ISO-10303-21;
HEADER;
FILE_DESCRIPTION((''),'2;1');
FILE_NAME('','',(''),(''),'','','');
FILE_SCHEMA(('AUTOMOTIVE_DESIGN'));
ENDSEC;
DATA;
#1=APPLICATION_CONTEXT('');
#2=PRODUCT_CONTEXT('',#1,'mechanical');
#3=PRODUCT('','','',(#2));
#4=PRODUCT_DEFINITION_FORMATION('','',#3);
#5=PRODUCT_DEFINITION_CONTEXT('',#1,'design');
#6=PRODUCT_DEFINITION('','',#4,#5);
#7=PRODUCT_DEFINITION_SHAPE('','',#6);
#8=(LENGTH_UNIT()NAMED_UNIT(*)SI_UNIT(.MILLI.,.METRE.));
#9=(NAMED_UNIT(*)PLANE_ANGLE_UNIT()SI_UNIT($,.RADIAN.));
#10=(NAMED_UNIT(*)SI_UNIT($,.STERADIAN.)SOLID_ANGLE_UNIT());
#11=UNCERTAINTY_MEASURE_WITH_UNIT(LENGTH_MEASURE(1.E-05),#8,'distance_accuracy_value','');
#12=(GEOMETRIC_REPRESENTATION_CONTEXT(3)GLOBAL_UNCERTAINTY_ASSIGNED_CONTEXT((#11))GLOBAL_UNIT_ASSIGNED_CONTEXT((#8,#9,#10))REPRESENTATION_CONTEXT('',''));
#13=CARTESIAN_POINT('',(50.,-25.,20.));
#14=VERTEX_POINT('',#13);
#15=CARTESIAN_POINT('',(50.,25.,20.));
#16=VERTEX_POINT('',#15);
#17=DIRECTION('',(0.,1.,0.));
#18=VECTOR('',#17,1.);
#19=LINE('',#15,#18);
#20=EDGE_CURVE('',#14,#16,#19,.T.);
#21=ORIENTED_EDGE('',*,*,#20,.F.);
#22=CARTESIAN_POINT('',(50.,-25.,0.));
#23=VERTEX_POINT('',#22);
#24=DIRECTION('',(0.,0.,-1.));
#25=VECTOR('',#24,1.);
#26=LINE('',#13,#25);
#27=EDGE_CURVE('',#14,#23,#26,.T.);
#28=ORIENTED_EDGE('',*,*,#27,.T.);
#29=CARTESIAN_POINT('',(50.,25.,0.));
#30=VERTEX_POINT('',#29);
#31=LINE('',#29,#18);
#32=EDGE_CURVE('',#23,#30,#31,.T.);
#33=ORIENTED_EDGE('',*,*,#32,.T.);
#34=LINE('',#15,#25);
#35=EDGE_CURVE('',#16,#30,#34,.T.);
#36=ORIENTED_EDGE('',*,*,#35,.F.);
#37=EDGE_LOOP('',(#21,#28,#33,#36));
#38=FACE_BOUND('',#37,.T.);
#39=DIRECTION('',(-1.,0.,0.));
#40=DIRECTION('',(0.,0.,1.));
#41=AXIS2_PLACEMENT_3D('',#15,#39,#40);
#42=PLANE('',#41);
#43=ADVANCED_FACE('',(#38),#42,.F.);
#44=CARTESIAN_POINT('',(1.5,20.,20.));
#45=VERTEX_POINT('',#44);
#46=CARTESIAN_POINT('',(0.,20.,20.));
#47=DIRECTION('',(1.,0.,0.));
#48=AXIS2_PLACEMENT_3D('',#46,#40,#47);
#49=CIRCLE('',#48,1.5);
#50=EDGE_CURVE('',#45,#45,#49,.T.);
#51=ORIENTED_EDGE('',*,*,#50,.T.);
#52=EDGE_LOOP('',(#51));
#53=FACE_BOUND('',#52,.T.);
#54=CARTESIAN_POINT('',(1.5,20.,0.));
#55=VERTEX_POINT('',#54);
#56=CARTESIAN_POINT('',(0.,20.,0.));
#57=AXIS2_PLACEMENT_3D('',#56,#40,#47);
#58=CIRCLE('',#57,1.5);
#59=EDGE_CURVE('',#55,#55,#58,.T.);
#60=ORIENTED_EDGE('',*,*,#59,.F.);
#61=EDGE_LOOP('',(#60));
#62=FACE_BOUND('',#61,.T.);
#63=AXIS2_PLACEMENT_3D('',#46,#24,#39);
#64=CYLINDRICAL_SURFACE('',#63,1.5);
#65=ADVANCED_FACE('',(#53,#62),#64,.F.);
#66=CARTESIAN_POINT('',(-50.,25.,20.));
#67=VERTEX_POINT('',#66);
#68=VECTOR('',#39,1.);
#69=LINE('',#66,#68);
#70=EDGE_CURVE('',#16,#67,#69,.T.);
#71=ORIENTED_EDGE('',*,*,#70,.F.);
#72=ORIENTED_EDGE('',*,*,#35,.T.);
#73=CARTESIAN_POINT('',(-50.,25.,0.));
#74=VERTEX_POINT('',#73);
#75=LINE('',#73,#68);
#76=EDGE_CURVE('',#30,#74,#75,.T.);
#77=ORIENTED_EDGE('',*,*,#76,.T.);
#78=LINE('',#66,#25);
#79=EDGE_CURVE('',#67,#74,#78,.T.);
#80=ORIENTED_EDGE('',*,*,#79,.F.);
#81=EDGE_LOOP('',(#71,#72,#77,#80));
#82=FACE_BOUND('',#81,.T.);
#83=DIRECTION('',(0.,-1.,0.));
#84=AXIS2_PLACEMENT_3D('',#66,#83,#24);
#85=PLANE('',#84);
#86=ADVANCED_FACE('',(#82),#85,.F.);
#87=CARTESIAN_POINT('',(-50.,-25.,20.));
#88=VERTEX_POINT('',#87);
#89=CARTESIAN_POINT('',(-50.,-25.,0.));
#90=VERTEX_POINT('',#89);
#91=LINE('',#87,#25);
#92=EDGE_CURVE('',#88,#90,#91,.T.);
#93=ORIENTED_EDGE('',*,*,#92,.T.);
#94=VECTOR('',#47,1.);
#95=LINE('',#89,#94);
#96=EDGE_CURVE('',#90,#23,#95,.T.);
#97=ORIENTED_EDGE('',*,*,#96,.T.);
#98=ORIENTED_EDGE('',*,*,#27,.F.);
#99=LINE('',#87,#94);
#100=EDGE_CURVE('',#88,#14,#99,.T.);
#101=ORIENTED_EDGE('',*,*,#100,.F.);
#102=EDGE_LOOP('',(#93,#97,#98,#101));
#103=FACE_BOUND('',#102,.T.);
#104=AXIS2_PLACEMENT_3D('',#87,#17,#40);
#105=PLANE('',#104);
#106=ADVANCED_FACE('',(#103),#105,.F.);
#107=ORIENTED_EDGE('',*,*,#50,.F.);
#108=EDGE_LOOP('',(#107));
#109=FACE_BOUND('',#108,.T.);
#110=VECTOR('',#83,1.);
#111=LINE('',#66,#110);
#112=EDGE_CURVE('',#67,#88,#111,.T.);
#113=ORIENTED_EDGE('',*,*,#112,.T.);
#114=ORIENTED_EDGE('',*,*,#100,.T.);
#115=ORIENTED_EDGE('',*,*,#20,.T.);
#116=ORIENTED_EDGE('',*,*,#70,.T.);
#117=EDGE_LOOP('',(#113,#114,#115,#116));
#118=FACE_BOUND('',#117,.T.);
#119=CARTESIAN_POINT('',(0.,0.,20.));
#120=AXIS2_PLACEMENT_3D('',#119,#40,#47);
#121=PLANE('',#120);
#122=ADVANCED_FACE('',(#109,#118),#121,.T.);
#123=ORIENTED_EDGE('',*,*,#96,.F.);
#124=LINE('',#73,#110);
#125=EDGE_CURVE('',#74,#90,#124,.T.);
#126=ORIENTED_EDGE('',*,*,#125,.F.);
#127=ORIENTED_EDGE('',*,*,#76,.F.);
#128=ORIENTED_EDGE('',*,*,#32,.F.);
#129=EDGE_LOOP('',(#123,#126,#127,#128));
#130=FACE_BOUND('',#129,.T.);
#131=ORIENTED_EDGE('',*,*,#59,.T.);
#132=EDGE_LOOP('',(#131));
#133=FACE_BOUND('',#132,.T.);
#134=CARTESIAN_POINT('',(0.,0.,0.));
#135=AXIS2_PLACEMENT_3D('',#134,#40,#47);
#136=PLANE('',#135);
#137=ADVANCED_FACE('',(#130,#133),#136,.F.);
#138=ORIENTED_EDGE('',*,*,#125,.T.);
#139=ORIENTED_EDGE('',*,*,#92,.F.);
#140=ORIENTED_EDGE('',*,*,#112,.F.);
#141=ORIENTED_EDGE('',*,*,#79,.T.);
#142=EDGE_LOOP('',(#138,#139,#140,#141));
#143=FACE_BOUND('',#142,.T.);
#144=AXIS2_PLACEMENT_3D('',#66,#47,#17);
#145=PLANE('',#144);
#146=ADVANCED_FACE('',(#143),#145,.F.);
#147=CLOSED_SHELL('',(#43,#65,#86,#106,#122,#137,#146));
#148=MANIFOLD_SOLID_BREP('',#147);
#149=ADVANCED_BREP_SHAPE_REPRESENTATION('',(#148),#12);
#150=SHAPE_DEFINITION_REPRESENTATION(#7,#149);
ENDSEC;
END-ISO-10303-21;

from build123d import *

# Parameters (mm, degrees)
SKETCH1_W           = 100
SKETCH1_H           = 50
SKETCH1_R           = 1.5
BOSS_EXTRUDE1_DEPTH = 20


with BuildPart() as part:
    # Sketch1 → Boss-Extrude1 (new body)
    with BuildSketch(Plane.XY):
        Rectangle(SKETCH1_W, SKETCH1_H)
        with Locations((0, 20)):
            Circle(SKETCH1_R, mode=Mode.SUBTRACT)
    extrude(amount=BOSS_EXTRUDE1_DEPTH)


solid = part.part
